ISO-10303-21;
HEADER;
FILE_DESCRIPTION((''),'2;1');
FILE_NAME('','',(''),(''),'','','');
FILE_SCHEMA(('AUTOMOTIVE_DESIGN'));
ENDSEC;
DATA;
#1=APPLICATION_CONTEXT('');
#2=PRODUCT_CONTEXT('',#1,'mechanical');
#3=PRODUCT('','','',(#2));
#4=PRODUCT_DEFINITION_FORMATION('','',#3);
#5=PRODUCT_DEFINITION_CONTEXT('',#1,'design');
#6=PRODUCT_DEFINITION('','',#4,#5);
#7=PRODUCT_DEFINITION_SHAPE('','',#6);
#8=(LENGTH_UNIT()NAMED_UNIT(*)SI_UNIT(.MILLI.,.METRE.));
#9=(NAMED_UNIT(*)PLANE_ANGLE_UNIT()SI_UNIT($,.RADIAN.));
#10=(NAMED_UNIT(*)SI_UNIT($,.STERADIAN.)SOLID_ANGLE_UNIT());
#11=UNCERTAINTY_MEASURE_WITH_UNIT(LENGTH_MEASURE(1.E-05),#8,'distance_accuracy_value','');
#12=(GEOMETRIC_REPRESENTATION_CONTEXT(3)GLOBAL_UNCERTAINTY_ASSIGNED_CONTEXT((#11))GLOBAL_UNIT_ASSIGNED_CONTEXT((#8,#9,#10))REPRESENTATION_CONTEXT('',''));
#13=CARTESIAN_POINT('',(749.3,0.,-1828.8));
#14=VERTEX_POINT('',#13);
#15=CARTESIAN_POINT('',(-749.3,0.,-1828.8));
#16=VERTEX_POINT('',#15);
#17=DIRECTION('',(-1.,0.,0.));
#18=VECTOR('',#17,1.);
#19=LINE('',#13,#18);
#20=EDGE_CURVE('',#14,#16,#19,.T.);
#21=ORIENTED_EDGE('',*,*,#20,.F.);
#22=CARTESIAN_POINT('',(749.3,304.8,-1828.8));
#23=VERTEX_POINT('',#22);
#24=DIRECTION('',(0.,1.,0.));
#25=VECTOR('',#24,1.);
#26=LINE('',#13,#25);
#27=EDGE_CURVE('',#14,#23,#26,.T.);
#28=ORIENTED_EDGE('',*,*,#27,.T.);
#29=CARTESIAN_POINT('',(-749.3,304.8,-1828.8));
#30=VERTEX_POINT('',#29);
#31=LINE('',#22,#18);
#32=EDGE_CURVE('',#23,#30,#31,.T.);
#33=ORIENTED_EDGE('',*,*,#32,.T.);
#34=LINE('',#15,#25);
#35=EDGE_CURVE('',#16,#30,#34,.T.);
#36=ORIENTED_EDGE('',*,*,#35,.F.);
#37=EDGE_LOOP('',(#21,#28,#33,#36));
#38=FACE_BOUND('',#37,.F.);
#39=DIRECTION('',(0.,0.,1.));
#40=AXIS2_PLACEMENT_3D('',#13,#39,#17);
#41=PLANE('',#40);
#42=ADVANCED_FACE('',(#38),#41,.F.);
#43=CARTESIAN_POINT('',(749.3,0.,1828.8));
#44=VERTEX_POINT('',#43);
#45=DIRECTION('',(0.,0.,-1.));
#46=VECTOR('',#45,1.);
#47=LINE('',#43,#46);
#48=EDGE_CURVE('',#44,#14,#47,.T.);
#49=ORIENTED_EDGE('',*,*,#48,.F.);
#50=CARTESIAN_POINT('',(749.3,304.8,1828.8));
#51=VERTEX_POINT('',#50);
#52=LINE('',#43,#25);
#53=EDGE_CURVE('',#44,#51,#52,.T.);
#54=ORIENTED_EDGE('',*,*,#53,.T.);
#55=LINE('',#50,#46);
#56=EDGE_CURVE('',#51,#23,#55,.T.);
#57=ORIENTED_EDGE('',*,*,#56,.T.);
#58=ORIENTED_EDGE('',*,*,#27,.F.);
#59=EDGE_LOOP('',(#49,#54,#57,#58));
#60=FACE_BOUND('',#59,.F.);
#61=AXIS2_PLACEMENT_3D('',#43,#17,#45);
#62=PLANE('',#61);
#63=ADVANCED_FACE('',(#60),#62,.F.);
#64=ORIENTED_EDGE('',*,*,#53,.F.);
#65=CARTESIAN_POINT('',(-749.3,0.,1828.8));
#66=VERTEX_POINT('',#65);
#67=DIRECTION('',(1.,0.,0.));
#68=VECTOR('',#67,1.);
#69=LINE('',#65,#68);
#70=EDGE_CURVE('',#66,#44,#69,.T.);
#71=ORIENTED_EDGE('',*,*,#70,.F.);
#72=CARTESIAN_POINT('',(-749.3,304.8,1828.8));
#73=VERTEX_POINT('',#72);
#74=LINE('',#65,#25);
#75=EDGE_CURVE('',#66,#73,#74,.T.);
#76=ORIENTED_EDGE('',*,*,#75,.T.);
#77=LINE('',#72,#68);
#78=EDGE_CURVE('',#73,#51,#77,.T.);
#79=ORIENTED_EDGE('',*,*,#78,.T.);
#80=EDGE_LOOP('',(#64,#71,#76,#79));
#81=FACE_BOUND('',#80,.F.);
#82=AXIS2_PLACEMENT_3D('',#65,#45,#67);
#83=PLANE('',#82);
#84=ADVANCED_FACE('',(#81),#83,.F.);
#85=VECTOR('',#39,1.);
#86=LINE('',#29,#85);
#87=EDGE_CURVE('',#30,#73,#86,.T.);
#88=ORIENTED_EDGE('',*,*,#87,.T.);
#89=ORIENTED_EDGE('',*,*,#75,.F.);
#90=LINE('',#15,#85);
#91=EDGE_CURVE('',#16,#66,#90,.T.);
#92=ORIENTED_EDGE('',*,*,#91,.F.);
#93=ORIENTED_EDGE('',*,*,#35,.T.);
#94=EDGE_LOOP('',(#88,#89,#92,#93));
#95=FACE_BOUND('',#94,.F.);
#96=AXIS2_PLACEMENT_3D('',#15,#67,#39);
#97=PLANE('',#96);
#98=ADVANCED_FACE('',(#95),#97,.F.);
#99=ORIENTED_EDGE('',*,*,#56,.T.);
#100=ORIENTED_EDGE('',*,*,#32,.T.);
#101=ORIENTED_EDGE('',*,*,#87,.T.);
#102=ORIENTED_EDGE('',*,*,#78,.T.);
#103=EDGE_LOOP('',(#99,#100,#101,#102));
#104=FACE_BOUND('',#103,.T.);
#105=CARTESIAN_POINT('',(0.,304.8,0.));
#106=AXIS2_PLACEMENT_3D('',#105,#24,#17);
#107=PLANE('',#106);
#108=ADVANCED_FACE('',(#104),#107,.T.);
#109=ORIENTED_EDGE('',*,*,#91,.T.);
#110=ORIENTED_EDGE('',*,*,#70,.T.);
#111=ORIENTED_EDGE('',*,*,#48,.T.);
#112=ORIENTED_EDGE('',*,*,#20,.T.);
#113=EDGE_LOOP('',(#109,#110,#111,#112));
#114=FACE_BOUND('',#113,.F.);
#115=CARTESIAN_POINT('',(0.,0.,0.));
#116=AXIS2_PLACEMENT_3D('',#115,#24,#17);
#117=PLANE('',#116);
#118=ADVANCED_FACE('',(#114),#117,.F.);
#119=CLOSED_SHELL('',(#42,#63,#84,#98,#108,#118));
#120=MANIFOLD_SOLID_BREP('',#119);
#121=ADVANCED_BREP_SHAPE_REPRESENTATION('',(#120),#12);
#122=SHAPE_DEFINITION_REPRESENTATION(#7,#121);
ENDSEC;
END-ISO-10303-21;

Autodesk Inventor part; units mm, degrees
ref_plane "YZ Plane" through (0, 0, 0) normal (1, 0, 0) x (0, 1, 0)
sketch "Sketch1" plane through (0, 0, 0) normal (0, 1, 0) x (-1, 0, 0)
  line L0 (749.3, 1828.8) -> (-749.3, 1828.8)
  line L1 (-749.3, 1828.8) -> (-749.3, -1828.8)
  line L2 (-749.3, -1828.8) -> (749.3, -1828.8)
  line L3 (749.3, -1828.8) -> (749.3, 1828.8)
  point P0 (0, 0)
  dimension "d0" = 749.3
  dimension "d1" = 1828.8
  dimension "d2" = 3657.6
  dimension "d3" = 1498.6
extrude "Extrusion1" add sketch "Sketch1" along normal blind 304.8
sketch "Sketch2" plane through (0, 304.8, 0) normal (0, 1, 0) x (1, 0, 0)
  line L0 (-749.3, -1828.8) -> (749.3, -1828.8) projected
  line L1 (-749.3, 1828.8) -> (-749.3, -1828.8) projected
  line L2 (-749.3, -1816.1) -> (749.3, -1816.1)
  line L3 (0, -1816.1) -> (0, -1188.3136)
  point P0 (0, 0)
  dimension "d7" = 12.7
  dimension "d8" = 1498.6
  dimension "d9" = 627.7864
ref_plane "Work Plane1" through (0, 304.8, 1188.3136) normal (0, 0, 1) x (1, 0, 0)
ref_plane "Work Plane2" through (0, 0, -1828.8) normal (-1, 0, 0) x (0, 0, 1)
equation "\"d0\" = 0.5 * d3"
equation "\"d1\" = 0.5 * d2"
properties part number "Table"
